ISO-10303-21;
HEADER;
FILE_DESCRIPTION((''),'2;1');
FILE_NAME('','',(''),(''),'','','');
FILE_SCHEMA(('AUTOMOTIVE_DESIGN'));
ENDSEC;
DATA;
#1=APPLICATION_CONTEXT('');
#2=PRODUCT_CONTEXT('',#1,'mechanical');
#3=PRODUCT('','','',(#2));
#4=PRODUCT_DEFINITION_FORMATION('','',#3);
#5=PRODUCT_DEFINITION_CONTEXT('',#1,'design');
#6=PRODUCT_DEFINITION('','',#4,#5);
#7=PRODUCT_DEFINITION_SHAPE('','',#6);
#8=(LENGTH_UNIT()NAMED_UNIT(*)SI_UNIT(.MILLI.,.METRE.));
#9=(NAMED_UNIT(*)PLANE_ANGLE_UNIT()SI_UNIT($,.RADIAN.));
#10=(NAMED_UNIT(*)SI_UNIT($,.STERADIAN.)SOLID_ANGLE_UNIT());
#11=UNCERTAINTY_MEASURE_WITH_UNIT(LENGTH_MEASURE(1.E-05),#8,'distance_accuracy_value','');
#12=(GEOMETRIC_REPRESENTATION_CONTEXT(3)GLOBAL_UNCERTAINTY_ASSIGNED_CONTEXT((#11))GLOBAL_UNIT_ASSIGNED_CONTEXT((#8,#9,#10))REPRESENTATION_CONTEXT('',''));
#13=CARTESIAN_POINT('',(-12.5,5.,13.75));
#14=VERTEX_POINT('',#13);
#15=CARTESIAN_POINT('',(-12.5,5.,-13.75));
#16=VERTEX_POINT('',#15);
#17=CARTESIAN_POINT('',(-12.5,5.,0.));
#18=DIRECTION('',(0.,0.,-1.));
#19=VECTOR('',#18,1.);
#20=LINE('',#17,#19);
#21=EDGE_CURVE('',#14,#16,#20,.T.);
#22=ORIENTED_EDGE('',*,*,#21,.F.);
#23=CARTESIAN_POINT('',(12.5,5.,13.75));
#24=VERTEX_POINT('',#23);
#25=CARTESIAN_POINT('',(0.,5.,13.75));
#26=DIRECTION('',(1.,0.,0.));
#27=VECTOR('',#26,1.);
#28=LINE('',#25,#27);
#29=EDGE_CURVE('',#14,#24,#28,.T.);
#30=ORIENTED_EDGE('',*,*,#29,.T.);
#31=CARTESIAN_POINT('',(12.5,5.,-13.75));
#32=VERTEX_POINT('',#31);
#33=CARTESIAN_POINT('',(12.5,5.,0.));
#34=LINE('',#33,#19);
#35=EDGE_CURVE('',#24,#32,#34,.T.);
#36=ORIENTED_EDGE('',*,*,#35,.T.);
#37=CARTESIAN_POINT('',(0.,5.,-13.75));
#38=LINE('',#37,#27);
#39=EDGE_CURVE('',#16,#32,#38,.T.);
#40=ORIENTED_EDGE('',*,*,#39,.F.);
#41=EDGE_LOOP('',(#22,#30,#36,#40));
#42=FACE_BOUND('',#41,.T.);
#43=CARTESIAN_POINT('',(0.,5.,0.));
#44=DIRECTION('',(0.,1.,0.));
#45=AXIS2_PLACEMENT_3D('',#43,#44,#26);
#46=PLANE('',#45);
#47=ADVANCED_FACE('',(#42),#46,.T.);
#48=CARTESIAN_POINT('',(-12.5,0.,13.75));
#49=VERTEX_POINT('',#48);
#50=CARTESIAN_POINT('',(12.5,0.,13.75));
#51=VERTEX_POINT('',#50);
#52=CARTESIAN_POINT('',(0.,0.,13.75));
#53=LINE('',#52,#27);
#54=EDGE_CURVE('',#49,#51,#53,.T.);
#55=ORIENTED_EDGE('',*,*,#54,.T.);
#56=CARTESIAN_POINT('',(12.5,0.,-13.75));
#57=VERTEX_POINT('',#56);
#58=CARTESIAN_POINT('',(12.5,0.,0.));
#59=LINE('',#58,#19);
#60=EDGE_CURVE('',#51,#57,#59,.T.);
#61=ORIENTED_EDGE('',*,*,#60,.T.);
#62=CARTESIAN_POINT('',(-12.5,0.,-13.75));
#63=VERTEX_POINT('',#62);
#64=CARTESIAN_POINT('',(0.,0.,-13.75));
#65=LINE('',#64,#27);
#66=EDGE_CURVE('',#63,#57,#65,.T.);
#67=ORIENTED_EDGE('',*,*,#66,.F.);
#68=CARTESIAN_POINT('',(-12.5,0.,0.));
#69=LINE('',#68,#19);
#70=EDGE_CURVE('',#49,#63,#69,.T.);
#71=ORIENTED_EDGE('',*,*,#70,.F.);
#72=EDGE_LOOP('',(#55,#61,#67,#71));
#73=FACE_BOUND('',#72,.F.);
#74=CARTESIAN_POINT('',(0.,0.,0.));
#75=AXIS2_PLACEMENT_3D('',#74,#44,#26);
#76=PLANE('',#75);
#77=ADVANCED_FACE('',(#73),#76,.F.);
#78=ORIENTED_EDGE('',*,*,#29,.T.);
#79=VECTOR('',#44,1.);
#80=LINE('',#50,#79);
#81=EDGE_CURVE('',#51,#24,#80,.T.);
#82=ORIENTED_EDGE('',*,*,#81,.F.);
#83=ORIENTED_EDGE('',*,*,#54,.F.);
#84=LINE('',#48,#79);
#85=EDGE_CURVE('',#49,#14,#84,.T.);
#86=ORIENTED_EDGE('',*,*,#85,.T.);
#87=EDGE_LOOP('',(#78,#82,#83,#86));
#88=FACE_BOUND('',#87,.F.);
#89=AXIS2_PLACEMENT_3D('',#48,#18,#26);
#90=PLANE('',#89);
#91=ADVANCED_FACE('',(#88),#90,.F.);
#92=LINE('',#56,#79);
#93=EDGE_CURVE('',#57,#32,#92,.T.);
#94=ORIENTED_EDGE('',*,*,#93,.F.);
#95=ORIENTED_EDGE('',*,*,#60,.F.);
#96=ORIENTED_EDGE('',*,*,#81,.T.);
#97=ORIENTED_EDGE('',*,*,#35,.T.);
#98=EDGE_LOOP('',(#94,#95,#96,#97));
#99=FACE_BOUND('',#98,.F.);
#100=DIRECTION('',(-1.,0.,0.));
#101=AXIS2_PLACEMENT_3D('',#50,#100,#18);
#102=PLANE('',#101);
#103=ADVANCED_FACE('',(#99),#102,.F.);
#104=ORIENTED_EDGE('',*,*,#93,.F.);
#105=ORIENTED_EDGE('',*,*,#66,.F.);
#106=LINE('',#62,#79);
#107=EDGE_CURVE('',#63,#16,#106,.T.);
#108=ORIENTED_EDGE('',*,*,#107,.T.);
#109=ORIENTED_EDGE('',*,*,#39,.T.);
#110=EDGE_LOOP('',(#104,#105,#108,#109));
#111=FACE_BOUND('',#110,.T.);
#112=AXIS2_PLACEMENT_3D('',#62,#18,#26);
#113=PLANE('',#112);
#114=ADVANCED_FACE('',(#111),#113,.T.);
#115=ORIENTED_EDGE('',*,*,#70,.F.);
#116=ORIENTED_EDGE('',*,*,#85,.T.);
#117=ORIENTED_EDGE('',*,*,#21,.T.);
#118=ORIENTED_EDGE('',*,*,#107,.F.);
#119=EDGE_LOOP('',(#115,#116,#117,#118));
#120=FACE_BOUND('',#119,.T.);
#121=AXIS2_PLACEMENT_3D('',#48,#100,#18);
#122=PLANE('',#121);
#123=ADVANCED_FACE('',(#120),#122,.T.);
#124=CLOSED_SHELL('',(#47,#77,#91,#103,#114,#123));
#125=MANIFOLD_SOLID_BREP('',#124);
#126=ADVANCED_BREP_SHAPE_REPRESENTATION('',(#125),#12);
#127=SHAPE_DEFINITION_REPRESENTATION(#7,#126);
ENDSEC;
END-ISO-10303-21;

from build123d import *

# Parameters (mm, degrees)
SKETCH1_W           = 25
SKETCH1_H           = 27.5
BOSS_EXTRUDE4_DEPTH = 5


with BuildPart() as part:
    # Sketch1 → Boss-Extrude4 (new body)
    with BuildSketch(Plane(origin=(0, 0, 0), x_dir=(1, 0, 0), z_dir=(0, 1, 0))):
        Rectangle(SKETCH1_W, SKETCH1_H)
    extrude(amount=BOSS_EXTRUDE4_DEPTH)


solid = part.part
